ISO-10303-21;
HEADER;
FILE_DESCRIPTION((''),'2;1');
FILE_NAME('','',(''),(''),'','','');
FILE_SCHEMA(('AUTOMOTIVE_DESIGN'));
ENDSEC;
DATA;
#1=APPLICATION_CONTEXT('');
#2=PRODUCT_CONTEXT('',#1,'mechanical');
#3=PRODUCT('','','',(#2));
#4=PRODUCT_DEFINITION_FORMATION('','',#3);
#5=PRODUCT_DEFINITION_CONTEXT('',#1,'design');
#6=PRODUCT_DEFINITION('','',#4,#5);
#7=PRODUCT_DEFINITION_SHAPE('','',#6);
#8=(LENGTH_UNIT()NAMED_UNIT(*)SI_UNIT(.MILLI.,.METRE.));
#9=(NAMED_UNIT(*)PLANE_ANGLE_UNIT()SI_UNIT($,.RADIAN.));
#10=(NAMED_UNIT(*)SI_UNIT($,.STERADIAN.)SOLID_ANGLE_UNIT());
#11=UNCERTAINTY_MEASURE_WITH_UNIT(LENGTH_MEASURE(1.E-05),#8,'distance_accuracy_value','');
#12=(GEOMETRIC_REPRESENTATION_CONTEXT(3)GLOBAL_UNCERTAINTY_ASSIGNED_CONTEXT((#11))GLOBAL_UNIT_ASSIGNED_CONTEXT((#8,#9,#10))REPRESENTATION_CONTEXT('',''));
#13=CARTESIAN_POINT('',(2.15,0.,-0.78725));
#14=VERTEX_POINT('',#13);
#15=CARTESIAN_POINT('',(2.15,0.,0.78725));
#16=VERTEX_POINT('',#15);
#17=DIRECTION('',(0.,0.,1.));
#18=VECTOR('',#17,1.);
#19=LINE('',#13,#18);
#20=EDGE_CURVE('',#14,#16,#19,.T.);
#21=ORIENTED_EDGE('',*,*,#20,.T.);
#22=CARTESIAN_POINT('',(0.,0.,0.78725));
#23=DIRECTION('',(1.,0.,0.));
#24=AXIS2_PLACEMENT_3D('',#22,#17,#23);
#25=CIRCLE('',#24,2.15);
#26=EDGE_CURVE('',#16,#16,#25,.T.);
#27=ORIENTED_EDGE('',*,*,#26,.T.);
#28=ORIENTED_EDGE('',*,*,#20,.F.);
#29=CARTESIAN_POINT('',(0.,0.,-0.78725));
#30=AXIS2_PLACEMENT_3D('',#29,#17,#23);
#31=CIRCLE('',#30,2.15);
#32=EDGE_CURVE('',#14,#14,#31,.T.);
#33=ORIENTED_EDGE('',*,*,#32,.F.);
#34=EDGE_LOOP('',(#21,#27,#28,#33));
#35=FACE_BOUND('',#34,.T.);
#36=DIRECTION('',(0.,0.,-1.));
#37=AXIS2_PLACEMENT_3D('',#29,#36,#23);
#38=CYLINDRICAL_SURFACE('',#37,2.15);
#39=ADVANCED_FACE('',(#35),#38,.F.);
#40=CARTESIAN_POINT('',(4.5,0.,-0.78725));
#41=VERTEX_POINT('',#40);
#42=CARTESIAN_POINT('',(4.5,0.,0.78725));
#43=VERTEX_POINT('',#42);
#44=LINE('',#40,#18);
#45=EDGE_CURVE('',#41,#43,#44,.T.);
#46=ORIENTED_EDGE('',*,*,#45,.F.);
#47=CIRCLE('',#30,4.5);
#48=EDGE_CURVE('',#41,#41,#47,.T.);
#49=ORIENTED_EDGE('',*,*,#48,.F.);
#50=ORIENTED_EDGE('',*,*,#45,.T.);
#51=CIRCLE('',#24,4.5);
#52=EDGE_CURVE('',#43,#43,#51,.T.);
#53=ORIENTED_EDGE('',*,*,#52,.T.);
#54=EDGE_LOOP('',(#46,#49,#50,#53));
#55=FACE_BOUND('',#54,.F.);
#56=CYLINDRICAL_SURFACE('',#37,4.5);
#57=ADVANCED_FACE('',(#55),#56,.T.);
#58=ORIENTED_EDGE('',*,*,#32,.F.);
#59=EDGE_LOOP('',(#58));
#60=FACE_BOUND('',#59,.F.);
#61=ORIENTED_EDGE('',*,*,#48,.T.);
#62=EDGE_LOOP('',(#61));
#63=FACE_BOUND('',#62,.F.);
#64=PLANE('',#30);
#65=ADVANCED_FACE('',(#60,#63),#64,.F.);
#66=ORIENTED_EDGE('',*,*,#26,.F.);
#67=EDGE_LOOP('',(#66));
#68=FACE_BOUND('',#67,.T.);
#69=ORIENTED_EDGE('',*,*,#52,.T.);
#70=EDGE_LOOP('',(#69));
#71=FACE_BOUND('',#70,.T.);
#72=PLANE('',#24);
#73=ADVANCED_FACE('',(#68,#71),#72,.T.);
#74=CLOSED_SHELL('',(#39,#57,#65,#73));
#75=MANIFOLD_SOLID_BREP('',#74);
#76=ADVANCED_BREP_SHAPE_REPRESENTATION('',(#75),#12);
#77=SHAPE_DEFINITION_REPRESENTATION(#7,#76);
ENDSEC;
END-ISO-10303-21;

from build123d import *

# Parameters (mm, degrees)
BOSS_EXTRUDE3_DEPTH      = 0.78725
BOSS_EXTRUDE3_DEPTH_BACK = 0.78725
SKETCH3_R                = 4.5
SKETCH3_R_2              = 2.15


with BuildPart() as part:
    # Sketch3 → Boss-Extrude3 (new, two sides: drawn at the far end of the back side and taken through both)
    with BuildSketch(Plane.XY.offset(-BOSS_EXTRUDE3_DEPTH_BACK)):
        Circle(SKETCH3_R)
        Circle(SKETCH3_R_2, mode=Mode.SUBTRACT)
    extrude(amount=BOSS_EXTRUDE3_DEPTH + BOSS_EXTRUDE3_DEPTH_BACK)


solid = part.part
